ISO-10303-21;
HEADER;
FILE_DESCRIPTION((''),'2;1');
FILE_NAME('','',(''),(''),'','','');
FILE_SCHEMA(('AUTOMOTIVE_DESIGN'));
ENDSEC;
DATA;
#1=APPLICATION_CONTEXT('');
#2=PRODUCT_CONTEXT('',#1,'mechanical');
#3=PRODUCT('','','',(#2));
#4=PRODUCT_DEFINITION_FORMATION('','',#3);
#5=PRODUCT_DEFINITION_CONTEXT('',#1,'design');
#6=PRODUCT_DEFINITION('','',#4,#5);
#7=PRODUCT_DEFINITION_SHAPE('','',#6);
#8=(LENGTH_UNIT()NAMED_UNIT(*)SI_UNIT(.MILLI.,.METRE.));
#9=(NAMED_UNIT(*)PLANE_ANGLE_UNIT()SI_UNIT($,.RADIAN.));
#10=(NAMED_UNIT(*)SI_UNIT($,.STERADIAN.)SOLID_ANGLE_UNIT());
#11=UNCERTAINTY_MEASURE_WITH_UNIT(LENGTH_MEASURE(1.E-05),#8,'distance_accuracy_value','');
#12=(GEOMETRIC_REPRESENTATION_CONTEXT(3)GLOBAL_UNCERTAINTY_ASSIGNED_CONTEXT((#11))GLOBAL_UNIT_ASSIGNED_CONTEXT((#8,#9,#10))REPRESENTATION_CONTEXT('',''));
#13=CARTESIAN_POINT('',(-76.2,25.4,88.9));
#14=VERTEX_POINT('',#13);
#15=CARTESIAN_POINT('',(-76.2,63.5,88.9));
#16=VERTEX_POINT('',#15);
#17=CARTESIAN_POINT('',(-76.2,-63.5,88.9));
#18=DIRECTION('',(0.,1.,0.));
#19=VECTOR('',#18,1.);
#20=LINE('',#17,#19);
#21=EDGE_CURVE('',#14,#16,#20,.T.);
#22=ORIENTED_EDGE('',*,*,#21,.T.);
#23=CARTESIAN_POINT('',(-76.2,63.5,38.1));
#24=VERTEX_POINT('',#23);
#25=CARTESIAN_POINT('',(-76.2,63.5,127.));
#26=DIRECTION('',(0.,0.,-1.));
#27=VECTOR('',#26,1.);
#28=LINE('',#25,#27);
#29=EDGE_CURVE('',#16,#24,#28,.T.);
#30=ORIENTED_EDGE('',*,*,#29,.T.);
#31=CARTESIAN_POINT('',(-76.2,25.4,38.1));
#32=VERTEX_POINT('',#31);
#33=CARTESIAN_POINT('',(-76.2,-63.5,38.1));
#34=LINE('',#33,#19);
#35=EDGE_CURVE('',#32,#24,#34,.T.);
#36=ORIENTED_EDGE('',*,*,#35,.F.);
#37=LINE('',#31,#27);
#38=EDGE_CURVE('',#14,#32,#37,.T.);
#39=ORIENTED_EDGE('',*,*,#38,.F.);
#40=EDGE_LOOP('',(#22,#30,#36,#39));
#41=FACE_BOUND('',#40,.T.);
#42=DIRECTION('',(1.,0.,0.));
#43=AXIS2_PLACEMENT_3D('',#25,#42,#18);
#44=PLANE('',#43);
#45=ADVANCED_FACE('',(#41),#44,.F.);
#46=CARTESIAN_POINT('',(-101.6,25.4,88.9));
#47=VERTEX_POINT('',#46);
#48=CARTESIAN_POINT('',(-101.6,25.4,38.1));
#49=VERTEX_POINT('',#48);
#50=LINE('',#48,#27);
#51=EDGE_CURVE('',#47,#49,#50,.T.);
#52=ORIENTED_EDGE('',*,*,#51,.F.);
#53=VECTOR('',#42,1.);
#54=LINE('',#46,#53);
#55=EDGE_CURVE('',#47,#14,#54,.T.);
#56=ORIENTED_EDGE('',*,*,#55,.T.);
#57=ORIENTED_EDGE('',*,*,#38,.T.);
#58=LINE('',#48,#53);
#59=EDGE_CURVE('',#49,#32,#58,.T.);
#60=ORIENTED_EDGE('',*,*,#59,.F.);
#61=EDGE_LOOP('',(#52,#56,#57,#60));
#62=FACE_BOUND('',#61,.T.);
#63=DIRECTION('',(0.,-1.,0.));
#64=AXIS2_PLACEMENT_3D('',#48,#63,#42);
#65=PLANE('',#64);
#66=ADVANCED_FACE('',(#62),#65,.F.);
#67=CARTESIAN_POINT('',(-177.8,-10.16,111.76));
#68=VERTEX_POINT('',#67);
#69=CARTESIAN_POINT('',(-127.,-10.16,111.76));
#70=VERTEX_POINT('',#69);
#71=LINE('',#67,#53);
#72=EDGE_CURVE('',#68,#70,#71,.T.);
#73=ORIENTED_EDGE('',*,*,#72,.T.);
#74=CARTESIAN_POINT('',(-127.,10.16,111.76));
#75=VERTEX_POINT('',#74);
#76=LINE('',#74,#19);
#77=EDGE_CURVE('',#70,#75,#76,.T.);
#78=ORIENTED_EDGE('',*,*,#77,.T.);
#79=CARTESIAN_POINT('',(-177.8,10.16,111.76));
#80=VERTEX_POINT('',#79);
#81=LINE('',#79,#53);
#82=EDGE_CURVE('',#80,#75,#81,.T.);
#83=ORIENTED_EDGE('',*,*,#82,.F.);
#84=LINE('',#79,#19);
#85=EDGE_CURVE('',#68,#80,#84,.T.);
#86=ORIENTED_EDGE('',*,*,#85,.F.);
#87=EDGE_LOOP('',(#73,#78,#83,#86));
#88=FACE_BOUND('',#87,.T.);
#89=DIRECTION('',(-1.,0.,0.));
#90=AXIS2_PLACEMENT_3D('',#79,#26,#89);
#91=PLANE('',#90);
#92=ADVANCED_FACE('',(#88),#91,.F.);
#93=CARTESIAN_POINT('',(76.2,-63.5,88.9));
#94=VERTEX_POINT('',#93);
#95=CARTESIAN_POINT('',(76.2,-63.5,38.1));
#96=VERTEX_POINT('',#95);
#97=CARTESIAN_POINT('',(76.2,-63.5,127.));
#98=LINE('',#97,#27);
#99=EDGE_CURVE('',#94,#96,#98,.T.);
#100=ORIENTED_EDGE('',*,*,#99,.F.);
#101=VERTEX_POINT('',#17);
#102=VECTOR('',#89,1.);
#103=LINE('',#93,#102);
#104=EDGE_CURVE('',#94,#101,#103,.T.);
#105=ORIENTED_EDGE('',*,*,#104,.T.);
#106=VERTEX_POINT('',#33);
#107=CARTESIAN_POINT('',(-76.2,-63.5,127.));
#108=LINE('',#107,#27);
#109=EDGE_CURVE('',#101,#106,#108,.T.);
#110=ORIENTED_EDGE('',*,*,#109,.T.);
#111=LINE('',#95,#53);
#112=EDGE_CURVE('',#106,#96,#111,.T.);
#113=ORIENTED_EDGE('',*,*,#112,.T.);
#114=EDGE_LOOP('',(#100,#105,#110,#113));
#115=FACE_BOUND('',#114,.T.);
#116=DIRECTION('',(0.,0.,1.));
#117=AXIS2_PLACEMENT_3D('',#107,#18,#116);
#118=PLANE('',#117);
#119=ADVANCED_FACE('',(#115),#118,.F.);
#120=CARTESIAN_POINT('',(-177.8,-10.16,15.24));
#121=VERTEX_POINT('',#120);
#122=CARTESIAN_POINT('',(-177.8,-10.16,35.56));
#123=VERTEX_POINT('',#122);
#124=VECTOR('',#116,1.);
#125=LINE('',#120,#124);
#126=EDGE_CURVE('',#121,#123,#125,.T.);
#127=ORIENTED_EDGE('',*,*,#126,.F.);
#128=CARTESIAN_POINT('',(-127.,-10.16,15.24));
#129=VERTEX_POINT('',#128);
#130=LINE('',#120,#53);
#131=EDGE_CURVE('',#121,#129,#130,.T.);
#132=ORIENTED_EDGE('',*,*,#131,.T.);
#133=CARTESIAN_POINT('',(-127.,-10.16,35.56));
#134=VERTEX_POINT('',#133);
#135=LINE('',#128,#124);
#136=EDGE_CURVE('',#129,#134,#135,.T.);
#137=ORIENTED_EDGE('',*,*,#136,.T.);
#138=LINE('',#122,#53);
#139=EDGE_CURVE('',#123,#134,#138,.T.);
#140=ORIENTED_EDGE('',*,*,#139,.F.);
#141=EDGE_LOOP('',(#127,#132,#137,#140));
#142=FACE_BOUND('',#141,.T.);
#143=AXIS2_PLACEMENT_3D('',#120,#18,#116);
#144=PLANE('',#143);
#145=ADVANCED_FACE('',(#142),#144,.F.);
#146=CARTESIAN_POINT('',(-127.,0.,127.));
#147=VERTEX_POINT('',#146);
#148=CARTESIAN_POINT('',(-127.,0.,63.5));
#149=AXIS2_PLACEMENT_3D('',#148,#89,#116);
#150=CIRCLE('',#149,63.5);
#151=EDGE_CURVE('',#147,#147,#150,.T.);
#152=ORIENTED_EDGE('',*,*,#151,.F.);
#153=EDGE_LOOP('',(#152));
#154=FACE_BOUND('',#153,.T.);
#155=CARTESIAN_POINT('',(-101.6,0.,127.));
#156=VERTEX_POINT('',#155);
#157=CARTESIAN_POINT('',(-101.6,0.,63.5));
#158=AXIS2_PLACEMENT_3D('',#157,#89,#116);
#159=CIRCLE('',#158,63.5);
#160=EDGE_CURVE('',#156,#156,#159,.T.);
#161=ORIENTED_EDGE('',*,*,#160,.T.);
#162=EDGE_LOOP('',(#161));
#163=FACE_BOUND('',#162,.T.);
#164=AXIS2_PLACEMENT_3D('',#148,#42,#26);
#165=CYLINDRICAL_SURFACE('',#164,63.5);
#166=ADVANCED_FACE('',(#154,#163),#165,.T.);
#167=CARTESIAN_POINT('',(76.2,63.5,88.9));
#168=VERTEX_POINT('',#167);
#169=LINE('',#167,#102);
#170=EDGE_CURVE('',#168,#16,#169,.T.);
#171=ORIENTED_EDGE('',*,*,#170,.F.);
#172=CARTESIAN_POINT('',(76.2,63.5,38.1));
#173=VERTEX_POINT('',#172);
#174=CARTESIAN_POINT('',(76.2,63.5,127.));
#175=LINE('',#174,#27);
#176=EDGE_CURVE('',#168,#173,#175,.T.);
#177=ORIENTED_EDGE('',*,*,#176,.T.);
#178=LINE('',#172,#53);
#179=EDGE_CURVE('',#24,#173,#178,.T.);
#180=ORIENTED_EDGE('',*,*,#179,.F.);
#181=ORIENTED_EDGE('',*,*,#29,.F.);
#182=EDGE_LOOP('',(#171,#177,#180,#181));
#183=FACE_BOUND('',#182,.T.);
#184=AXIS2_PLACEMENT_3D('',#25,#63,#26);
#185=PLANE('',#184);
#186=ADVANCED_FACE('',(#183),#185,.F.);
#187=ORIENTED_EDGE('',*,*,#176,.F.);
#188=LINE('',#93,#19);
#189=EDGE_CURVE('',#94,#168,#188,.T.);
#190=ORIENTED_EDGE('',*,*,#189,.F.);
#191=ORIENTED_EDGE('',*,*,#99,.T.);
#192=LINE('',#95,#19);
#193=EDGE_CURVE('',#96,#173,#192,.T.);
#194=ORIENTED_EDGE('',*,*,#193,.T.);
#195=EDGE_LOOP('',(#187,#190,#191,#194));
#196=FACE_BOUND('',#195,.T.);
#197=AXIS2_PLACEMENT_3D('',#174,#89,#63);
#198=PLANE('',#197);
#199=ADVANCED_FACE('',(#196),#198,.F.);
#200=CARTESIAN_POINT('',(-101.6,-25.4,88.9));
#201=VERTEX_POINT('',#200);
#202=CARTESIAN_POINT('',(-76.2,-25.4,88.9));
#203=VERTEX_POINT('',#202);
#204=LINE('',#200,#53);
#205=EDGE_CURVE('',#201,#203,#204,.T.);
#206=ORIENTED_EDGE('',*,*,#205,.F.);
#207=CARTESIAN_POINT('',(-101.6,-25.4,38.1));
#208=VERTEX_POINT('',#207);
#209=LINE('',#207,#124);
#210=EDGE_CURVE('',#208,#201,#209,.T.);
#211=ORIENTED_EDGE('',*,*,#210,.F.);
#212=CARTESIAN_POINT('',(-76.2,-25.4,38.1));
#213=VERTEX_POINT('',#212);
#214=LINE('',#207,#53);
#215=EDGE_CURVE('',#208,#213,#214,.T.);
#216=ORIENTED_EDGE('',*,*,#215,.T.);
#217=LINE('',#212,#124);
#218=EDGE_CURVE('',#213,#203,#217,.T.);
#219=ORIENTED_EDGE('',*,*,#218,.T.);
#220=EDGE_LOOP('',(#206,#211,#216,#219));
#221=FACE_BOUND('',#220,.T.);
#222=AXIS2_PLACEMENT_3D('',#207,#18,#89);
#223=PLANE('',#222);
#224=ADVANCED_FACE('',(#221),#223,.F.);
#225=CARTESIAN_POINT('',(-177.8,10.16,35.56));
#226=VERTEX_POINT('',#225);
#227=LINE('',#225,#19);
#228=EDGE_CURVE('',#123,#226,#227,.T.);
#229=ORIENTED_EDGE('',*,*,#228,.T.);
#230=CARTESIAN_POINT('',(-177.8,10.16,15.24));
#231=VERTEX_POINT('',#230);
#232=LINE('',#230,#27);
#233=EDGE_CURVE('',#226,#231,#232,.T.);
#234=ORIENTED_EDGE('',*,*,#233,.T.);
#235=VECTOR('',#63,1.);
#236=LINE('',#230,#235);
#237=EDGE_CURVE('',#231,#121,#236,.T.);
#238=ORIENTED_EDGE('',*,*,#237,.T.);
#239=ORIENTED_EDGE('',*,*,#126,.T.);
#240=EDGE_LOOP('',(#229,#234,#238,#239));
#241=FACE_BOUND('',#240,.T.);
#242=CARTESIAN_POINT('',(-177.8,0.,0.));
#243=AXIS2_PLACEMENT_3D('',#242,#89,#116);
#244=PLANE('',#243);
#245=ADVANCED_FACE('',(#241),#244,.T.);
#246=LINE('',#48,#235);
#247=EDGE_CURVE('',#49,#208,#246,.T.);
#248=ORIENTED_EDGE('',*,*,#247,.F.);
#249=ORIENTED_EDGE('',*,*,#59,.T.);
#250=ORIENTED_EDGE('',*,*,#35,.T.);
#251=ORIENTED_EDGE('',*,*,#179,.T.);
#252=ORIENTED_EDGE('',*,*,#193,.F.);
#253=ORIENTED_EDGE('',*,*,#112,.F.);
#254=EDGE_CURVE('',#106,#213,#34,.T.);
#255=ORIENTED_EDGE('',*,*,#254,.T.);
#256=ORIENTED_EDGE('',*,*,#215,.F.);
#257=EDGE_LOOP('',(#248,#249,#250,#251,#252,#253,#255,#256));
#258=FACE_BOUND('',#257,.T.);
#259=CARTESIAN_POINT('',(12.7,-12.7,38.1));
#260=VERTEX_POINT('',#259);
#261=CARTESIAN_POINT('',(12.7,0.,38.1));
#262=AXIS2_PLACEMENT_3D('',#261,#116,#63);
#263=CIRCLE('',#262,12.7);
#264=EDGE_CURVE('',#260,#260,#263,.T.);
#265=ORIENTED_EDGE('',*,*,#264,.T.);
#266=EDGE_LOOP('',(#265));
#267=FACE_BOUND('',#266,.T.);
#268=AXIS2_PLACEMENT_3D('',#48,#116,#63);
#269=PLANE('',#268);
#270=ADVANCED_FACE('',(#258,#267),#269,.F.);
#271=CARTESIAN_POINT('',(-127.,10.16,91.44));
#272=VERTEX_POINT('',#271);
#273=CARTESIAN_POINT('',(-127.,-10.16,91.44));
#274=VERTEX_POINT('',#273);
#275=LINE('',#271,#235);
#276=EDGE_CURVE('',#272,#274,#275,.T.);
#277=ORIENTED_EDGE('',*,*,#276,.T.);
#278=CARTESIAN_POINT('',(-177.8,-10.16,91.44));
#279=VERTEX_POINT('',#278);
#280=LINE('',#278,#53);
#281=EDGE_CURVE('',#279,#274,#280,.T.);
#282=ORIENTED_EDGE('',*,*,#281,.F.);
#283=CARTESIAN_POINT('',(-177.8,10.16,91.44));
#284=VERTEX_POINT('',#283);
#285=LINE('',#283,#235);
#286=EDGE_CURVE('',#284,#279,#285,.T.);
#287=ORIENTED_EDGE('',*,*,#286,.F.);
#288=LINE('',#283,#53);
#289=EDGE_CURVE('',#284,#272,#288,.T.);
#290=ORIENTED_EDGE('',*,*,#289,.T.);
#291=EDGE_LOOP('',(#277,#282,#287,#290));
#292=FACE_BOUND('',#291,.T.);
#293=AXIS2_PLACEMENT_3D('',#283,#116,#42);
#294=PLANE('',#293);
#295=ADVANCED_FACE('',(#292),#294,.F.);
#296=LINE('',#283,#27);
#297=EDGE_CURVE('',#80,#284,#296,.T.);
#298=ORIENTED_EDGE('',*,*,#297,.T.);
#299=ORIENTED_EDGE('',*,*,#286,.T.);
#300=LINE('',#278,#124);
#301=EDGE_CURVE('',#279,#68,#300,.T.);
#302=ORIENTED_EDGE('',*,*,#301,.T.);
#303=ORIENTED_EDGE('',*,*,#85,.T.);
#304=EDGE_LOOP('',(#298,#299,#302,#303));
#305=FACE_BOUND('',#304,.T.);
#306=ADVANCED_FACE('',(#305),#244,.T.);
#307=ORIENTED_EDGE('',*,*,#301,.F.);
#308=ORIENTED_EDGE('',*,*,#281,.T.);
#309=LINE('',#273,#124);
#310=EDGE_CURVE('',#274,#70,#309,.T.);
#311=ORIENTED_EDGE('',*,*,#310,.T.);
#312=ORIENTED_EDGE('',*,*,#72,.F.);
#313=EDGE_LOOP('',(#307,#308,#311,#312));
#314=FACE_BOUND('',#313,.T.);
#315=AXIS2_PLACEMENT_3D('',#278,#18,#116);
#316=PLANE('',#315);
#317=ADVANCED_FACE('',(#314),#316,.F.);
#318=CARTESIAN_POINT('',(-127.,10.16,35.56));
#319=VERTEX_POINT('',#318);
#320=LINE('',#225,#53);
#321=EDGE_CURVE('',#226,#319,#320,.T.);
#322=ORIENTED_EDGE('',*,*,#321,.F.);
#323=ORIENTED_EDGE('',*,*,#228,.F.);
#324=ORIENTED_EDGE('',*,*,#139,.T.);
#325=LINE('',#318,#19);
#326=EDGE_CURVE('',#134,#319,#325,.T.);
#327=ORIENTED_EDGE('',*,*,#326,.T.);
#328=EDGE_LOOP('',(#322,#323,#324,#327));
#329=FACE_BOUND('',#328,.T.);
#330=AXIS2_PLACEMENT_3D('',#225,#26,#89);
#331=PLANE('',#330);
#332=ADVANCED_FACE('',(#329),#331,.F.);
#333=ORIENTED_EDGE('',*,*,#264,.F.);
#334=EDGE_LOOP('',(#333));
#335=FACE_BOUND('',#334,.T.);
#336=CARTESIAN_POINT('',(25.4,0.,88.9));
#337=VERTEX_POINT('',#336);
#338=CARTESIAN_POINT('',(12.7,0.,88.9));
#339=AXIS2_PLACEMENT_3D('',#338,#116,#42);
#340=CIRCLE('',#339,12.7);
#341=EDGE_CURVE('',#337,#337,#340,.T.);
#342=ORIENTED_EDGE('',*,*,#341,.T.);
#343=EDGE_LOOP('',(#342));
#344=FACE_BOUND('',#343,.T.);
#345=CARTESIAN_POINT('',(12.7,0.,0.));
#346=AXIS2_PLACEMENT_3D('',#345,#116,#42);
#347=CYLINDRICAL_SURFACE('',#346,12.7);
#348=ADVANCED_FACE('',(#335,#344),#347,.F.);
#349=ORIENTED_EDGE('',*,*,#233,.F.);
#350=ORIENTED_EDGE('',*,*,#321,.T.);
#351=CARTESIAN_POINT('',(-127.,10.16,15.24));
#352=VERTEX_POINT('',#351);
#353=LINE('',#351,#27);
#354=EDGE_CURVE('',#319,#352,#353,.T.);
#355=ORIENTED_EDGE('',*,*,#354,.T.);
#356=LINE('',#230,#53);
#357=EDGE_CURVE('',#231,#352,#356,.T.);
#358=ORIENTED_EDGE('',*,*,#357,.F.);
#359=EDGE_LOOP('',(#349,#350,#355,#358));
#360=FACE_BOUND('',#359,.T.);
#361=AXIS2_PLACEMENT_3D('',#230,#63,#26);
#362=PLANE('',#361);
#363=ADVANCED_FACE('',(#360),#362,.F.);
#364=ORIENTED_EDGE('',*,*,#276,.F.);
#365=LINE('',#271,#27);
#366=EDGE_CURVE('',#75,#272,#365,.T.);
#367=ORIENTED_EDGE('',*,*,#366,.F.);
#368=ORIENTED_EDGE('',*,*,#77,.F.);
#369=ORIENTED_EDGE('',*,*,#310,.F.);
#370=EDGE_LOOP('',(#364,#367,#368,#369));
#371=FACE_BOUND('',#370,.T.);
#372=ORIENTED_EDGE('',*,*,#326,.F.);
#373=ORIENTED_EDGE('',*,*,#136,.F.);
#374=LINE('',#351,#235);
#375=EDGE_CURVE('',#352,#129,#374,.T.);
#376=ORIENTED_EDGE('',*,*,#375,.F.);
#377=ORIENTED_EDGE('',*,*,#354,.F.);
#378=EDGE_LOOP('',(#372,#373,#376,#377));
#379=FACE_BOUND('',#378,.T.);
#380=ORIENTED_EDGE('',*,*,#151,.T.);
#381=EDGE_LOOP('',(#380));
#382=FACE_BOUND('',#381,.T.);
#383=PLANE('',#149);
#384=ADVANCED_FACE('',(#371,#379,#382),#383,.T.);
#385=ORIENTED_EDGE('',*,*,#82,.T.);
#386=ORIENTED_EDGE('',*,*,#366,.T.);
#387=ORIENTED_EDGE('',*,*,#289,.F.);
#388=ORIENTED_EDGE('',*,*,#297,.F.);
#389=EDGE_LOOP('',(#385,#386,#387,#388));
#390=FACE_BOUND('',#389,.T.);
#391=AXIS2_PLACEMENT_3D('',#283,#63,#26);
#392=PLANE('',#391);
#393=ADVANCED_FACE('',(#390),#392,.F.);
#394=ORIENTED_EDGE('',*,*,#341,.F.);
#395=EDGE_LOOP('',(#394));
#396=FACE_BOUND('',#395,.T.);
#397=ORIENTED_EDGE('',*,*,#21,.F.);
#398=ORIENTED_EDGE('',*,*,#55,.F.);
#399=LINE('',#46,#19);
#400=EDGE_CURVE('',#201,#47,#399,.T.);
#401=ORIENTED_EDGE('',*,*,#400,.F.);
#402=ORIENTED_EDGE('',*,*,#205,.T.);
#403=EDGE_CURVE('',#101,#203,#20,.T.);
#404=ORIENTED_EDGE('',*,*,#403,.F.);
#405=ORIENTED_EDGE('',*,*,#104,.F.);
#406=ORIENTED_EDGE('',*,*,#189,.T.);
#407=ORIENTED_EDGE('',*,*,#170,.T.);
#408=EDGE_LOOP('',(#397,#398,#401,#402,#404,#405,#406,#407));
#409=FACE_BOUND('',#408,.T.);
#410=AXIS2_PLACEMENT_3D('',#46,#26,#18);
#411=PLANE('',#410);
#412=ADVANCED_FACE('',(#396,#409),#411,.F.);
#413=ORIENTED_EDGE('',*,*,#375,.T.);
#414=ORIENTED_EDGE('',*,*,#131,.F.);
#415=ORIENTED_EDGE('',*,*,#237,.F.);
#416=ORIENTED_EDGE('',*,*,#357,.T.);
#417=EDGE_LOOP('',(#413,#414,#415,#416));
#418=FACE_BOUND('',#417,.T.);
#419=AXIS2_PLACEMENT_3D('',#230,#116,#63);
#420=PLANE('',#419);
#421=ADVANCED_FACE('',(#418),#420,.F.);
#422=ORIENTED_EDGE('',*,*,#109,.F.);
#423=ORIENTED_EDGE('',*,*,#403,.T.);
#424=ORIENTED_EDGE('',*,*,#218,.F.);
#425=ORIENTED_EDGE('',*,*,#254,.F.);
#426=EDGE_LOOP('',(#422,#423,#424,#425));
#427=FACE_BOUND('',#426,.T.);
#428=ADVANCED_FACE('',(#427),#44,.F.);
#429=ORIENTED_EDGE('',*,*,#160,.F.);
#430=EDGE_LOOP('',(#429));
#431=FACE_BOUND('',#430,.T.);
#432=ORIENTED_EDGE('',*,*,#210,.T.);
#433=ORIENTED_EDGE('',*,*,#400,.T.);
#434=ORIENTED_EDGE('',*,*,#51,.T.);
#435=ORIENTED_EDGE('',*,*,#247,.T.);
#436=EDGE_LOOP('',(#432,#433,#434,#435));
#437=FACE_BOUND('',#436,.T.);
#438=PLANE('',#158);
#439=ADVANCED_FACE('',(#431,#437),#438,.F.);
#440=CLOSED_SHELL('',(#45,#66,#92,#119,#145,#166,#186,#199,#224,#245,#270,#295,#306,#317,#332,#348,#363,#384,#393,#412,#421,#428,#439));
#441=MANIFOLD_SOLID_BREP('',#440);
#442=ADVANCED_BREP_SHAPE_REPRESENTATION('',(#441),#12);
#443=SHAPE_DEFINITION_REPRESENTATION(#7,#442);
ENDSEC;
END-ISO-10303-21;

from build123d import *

# Parameters (mm, degrees)
SKETCH1_W           = 152.4
SKETCH1_H           = 127
BOSS_EXTRUDE1_DEPTH = 127
SKETCH2_W           = 50.8
SKETCH2_H           = 50.8
BOSS_EXTRUDE2_DEPTH = 25.4
SKETCH3_R           = 63.5
BOSS_EXTRUDE3_DEPTH = 25.4
SKETCH4_W           = 20.32
SKETCH4_H           = 20.32
BOSS_EXTRUDE4_DEPTH = 50.8
SKETCH5_W           = 152.4
SKETCH5_H           = 38.1
CUT_EXTRUDE1_DEPTH  = 253.726809025
SKETCH6_R           = 12.7
CUT_EXTRUDE2_DEPTH  = 209.682294409


with BuildPart() as part:
    # Sketch1 → Boss-Extrude1 (new body)
    with BuildSketch(Plane.XY):
        Rectangle(SKETCH1_W, SKETCH1_H)
    extrude(amount=BOSS_EXTRUDE1_DEPTH)

    # Sketch2 → Boss-Extrude2 (add)
    with BuildSketch(Plane.ZY.offset(76.2)):
        with Locations((63.5, 0)):
            Rectangle(SKETCH2_W, SKETCH2_H)
    extrude(amount=BOSS_EXTRUDE2_DEPTH)

    # Sketch3 → Boss-Extrude3 (add)
    with BuildSketch(Plane.ZY.offset(101.6)):
        with Locations((63.5, 0)):
            Circle(SKETCH3_R)
    extrude(amount=BOSS_EXTRUDE3_DEPTH)

    # Sketch4 → Boss-Extrude4 (add)
    with BuildSketch(Plane.ZY.offset(127)):
        with Locations((25.4, 0)):
            Rectangle(SKETCH4_W, SKETCH4_H)
        with Locations((101.6, 0)):
            Rectangle(SKETCH4_W, SKETCH4_H)
    extrude(amount=BOSS_EXTRUDE4_DEPTH)

    # Sketch5 → Cut-Extrude1 (cut, through all)
    with BuildSketch(Plane(origin=(0, 63.5, 0), x_dir=(1, 0, 0), z_dir=(0, 1, 0))):
        with Locations((0, -107.95)):
            Rectangle(SKETCH5_W, SKETCH5_H)
        with Locations((0, -19.05)):
            Rectangle(SKETCH5_W, SKETCH5_H)
    extrude(amount=-CUT_EXTRUDE1_DEPTH, mode=Mode.SUBTRACT)

    # Sketch6 → Cut-Extrude2 (cut, through all)
    with BuildSketch(Plane.XY.offset(88.9)):
        with Locations((12.7, 0)):
            Circle(SKETCH6_R)
    extrude(amount=-CUT_EXTRUDE2_DEPTH, mode=Mode.SUBTRACT)


solid = part.part
